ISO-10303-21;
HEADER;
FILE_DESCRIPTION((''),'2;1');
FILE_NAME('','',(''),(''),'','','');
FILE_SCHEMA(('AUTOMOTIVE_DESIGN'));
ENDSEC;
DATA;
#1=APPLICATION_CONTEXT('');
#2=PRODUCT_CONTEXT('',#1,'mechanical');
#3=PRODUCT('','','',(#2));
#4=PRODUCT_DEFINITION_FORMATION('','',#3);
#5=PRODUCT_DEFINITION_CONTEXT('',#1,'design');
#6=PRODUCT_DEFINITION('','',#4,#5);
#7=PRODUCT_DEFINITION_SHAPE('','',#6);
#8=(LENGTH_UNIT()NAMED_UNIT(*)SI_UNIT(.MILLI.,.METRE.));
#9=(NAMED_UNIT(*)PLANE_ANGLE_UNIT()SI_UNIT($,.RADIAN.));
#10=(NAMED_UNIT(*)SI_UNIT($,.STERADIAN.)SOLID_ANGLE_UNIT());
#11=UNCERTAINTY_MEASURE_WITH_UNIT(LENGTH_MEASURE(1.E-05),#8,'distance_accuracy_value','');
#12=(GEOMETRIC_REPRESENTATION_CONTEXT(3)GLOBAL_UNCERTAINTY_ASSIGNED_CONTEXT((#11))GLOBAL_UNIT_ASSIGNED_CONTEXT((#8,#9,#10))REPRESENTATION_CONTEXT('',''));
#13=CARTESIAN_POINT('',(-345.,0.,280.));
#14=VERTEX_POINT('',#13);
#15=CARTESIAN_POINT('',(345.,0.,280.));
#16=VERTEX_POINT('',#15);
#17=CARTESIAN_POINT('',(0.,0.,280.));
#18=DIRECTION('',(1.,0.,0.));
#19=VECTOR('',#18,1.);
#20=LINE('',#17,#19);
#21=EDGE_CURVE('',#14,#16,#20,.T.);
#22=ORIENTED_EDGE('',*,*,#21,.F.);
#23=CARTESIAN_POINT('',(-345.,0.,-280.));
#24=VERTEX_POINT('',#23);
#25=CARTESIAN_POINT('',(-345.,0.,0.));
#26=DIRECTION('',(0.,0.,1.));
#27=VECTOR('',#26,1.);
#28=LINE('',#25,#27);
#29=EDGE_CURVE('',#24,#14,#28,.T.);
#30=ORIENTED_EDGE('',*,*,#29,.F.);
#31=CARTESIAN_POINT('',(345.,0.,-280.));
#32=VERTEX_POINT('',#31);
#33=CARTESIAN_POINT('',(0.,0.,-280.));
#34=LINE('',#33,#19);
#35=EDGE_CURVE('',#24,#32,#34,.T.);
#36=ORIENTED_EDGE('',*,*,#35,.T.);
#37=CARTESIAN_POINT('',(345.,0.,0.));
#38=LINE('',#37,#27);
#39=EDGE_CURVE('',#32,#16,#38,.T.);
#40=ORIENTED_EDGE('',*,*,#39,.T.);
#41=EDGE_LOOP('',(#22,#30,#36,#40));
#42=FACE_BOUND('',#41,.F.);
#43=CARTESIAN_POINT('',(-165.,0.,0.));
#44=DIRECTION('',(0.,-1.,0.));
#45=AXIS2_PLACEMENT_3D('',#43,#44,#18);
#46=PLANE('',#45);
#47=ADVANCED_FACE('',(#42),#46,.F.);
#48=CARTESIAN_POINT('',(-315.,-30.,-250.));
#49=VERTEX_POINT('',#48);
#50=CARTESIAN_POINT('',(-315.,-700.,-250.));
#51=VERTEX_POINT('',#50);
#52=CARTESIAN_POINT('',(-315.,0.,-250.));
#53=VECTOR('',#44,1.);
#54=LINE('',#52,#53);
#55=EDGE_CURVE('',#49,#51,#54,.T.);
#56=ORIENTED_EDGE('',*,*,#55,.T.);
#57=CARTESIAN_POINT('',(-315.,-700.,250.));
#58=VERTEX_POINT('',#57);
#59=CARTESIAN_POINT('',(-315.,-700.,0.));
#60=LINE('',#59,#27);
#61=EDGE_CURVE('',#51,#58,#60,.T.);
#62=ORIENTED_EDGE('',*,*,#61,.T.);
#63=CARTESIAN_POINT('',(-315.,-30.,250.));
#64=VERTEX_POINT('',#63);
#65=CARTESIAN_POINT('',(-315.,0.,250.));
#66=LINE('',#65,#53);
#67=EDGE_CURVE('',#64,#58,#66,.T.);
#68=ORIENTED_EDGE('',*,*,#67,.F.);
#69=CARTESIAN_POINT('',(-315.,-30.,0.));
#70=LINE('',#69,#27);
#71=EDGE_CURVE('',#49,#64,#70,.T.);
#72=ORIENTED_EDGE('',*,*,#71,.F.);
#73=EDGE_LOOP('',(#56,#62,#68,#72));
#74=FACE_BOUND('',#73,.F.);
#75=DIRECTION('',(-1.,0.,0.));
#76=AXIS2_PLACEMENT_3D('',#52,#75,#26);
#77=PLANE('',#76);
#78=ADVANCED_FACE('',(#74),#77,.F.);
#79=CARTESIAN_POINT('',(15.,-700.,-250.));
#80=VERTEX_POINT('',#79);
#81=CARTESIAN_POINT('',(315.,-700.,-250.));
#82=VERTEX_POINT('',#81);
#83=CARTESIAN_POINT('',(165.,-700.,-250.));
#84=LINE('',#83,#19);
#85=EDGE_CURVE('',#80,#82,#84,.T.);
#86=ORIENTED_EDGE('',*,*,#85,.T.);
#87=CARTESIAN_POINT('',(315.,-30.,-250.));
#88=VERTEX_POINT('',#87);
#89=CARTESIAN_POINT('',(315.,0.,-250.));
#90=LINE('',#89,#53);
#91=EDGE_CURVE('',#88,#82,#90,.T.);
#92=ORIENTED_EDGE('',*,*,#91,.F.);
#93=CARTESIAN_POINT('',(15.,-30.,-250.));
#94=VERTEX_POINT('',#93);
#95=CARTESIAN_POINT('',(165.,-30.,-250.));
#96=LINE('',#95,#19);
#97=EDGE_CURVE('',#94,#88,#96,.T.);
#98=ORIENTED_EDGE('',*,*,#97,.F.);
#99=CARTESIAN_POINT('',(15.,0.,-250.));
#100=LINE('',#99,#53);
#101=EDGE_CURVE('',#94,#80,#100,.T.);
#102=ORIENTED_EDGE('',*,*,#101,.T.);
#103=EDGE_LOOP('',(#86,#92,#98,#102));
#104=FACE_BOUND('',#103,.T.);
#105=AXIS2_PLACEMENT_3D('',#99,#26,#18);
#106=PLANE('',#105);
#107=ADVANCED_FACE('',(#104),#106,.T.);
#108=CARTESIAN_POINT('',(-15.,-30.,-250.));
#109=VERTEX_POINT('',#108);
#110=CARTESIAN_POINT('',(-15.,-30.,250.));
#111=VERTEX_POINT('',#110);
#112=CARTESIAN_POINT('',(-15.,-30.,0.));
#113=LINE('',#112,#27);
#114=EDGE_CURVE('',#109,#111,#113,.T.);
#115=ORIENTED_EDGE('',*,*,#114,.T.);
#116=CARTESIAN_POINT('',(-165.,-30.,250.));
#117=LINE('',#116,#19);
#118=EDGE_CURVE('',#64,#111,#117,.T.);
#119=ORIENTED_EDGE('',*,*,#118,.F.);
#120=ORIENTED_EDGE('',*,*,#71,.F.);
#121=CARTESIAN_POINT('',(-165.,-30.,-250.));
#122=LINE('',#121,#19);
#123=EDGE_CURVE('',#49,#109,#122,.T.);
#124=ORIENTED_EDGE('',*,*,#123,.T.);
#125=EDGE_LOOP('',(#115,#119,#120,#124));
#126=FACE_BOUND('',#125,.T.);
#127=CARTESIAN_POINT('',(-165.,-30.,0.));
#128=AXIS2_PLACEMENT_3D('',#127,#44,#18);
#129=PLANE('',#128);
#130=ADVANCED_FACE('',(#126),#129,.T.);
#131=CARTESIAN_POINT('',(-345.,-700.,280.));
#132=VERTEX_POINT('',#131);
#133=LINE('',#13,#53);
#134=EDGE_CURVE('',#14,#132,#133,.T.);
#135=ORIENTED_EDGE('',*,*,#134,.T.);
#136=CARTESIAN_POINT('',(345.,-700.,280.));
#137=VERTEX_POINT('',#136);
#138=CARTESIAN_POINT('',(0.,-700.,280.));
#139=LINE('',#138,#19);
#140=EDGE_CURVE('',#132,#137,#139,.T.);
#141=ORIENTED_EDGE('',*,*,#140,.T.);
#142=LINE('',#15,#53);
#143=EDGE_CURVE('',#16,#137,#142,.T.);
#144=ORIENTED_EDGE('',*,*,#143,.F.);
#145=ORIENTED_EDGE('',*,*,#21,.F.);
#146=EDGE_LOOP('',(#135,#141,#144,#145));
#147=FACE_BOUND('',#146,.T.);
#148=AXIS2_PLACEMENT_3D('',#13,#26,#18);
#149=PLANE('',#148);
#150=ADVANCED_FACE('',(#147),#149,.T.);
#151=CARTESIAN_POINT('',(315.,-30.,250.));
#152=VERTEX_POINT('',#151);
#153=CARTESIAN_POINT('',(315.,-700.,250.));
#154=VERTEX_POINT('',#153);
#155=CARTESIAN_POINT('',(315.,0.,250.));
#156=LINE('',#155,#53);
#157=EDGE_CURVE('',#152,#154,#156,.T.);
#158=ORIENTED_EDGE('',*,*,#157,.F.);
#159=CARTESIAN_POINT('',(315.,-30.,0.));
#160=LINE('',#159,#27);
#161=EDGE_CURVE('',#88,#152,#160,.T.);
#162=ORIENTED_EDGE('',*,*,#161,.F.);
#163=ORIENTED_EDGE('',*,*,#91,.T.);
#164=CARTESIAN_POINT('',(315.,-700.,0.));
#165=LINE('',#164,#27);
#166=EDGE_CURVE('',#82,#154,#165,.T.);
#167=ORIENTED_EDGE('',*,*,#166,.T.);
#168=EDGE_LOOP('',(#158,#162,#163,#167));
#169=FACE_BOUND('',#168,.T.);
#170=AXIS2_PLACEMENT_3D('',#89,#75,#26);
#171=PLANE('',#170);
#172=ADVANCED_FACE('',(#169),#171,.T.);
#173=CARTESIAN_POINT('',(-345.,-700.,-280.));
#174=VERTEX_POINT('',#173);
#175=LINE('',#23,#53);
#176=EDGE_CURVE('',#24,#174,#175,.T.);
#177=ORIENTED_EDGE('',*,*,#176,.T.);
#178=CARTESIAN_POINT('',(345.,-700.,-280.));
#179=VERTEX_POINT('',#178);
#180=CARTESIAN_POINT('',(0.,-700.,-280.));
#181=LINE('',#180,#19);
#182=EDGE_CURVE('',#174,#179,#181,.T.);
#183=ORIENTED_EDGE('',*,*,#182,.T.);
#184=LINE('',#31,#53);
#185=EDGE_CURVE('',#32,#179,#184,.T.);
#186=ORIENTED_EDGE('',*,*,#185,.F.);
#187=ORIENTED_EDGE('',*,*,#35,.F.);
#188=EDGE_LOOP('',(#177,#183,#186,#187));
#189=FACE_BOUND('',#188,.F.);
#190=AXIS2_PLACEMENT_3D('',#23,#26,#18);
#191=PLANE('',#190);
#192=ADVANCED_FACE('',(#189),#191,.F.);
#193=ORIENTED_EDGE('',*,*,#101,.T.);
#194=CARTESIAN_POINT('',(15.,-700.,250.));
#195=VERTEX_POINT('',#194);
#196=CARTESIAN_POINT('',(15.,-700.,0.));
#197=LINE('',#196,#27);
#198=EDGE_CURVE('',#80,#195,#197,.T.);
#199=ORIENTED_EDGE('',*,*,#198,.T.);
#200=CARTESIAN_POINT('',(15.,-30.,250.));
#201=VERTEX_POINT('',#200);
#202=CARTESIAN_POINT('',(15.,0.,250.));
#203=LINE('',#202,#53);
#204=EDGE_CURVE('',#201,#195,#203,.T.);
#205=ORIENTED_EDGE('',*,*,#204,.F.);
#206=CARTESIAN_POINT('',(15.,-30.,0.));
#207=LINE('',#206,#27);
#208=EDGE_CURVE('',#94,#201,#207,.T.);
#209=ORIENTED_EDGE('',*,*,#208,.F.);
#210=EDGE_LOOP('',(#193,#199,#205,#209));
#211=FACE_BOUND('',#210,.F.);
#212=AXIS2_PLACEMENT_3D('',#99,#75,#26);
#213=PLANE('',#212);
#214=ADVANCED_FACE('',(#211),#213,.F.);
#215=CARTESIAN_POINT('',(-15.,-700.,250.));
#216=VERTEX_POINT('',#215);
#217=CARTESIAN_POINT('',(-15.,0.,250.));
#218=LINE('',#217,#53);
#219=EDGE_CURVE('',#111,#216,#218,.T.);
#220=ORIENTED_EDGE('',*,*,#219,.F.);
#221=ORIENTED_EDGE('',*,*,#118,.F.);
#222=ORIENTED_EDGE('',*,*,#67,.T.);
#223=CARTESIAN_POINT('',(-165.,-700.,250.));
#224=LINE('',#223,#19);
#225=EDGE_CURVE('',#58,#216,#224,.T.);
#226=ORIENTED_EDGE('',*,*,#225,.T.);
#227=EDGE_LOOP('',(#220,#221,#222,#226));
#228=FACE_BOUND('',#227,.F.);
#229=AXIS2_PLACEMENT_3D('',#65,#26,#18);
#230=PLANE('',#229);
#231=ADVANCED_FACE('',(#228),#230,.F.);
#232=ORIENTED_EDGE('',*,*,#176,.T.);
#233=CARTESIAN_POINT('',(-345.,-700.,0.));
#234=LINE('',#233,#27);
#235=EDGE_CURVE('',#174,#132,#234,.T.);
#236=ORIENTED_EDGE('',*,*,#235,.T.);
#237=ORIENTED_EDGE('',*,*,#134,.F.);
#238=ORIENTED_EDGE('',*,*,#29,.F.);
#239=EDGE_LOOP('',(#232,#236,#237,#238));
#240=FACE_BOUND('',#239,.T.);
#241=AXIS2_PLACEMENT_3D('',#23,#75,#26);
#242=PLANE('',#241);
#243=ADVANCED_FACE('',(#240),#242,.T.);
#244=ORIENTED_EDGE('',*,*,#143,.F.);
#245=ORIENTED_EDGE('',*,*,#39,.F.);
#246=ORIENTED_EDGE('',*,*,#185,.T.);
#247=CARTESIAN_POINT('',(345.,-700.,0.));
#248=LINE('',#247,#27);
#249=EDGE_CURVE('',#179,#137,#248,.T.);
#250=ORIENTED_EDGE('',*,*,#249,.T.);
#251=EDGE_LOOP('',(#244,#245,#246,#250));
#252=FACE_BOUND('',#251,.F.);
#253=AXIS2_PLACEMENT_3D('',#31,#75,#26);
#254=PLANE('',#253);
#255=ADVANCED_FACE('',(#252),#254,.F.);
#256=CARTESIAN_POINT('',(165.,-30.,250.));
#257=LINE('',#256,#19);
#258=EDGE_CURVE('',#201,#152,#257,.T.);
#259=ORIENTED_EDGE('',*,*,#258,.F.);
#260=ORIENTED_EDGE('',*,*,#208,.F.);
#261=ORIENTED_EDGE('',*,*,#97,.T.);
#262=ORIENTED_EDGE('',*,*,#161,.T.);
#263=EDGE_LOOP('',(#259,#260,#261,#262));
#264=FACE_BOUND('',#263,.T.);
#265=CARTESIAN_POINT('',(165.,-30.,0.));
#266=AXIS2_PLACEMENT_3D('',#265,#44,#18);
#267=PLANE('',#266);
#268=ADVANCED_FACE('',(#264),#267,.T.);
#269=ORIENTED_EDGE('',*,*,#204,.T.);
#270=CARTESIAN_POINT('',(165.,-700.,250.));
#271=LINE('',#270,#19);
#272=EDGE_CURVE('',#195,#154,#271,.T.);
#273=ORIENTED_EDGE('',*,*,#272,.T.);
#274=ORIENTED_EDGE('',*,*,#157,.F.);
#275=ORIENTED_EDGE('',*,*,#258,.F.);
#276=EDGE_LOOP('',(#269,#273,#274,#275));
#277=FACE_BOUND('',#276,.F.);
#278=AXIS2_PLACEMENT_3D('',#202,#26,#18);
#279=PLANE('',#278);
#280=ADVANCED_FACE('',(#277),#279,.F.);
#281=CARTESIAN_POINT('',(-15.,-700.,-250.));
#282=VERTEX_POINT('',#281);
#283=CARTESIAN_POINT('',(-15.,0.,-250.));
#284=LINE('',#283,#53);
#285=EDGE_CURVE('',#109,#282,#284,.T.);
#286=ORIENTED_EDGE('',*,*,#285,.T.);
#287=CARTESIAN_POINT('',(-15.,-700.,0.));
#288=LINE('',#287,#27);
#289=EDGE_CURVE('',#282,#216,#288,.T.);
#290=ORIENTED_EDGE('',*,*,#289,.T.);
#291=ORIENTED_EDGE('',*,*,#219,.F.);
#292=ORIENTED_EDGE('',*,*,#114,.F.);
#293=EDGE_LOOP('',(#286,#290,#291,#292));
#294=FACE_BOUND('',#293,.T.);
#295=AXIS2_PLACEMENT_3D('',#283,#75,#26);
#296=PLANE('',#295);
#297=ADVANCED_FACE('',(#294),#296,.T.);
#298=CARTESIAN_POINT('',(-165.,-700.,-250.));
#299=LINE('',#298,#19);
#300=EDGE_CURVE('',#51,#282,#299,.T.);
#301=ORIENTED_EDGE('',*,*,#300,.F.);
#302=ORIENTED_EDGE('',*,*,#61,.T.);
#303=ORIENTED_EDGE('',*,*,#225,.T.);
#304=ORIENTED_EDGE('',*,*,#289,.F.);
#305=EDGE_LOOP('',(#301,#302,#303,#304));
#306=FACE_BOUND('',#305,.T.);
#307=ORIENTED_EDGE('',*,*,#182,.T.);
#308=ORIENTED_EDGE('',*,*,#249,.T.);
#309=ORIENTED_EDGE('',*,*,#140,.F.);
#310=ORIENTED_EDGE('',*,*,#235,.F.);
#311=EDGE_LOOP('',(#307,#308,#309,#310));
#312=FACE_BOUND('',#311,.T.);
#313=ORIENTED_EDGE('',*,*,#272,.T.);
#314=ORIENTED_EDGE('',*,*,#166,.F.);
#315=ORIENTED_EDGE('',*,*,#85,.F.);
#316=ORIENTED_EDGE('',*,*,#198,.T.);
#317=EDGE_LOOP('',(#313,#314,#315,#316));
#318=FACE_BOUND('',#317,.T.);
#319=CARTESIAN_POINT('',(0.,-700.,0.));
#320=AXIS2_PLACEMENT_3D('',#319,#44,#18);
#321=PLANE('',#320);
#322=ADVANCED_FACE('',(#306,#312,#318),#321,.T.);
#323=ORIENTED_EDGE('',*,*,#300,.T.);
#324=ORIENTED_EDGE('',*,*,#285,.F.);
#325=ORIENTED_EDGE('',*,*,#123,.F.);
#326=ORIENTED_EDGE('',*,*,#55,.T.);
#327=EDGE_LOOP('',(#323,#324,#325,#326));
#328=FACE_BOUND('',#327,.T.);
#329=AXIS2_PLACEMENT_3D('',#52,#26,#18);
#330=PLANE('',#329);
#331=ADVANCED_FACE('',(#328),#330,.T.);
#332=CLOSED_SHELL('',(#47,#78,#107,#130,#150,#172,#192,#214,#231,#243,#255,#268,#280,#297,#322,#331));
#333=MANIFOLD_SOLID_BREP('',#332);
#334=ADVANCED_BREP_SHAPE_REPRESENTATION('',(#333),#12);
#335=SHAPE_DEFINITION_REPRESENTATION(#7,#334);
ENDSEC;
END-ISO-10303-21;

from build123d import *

# Parameters (mm, degrees)
F0_W     = 690
F0_H     = 560
F0_W_2   = 300
F0_H_2   = 500
F1_DEPTH = 700
F2_DEPTH = 30


with BuildPart() as f1:
    # F0 (on Front) → F1 (new body)
    with BuildSketch(Plane.XZ):
        Rectangle(F0_W, F0_H)
        with Locations((-165, 0)):
            Rectangle(F0_W_2, F0_H_2, mode=Mode.SUBTRACT)
        with Locations((165, 0)):
            Rectangle(F0_W_2, F0_H_2, mode=Mode.SUBTRACT)
    extrude(amount=F1_DEPTH)

    # F0 (on Front) → F2 (join)
    with BuildSketch(Plane.XZ):
        with Locations((-165, 0)):
            Rectangle(F0_W_2, F0_H_2)
        with Locations((165, 0)):
            Rectangle(F0_W_2, F0_H_2)
    extrude(amount=F2_DEPTH)


solid = f1.part
